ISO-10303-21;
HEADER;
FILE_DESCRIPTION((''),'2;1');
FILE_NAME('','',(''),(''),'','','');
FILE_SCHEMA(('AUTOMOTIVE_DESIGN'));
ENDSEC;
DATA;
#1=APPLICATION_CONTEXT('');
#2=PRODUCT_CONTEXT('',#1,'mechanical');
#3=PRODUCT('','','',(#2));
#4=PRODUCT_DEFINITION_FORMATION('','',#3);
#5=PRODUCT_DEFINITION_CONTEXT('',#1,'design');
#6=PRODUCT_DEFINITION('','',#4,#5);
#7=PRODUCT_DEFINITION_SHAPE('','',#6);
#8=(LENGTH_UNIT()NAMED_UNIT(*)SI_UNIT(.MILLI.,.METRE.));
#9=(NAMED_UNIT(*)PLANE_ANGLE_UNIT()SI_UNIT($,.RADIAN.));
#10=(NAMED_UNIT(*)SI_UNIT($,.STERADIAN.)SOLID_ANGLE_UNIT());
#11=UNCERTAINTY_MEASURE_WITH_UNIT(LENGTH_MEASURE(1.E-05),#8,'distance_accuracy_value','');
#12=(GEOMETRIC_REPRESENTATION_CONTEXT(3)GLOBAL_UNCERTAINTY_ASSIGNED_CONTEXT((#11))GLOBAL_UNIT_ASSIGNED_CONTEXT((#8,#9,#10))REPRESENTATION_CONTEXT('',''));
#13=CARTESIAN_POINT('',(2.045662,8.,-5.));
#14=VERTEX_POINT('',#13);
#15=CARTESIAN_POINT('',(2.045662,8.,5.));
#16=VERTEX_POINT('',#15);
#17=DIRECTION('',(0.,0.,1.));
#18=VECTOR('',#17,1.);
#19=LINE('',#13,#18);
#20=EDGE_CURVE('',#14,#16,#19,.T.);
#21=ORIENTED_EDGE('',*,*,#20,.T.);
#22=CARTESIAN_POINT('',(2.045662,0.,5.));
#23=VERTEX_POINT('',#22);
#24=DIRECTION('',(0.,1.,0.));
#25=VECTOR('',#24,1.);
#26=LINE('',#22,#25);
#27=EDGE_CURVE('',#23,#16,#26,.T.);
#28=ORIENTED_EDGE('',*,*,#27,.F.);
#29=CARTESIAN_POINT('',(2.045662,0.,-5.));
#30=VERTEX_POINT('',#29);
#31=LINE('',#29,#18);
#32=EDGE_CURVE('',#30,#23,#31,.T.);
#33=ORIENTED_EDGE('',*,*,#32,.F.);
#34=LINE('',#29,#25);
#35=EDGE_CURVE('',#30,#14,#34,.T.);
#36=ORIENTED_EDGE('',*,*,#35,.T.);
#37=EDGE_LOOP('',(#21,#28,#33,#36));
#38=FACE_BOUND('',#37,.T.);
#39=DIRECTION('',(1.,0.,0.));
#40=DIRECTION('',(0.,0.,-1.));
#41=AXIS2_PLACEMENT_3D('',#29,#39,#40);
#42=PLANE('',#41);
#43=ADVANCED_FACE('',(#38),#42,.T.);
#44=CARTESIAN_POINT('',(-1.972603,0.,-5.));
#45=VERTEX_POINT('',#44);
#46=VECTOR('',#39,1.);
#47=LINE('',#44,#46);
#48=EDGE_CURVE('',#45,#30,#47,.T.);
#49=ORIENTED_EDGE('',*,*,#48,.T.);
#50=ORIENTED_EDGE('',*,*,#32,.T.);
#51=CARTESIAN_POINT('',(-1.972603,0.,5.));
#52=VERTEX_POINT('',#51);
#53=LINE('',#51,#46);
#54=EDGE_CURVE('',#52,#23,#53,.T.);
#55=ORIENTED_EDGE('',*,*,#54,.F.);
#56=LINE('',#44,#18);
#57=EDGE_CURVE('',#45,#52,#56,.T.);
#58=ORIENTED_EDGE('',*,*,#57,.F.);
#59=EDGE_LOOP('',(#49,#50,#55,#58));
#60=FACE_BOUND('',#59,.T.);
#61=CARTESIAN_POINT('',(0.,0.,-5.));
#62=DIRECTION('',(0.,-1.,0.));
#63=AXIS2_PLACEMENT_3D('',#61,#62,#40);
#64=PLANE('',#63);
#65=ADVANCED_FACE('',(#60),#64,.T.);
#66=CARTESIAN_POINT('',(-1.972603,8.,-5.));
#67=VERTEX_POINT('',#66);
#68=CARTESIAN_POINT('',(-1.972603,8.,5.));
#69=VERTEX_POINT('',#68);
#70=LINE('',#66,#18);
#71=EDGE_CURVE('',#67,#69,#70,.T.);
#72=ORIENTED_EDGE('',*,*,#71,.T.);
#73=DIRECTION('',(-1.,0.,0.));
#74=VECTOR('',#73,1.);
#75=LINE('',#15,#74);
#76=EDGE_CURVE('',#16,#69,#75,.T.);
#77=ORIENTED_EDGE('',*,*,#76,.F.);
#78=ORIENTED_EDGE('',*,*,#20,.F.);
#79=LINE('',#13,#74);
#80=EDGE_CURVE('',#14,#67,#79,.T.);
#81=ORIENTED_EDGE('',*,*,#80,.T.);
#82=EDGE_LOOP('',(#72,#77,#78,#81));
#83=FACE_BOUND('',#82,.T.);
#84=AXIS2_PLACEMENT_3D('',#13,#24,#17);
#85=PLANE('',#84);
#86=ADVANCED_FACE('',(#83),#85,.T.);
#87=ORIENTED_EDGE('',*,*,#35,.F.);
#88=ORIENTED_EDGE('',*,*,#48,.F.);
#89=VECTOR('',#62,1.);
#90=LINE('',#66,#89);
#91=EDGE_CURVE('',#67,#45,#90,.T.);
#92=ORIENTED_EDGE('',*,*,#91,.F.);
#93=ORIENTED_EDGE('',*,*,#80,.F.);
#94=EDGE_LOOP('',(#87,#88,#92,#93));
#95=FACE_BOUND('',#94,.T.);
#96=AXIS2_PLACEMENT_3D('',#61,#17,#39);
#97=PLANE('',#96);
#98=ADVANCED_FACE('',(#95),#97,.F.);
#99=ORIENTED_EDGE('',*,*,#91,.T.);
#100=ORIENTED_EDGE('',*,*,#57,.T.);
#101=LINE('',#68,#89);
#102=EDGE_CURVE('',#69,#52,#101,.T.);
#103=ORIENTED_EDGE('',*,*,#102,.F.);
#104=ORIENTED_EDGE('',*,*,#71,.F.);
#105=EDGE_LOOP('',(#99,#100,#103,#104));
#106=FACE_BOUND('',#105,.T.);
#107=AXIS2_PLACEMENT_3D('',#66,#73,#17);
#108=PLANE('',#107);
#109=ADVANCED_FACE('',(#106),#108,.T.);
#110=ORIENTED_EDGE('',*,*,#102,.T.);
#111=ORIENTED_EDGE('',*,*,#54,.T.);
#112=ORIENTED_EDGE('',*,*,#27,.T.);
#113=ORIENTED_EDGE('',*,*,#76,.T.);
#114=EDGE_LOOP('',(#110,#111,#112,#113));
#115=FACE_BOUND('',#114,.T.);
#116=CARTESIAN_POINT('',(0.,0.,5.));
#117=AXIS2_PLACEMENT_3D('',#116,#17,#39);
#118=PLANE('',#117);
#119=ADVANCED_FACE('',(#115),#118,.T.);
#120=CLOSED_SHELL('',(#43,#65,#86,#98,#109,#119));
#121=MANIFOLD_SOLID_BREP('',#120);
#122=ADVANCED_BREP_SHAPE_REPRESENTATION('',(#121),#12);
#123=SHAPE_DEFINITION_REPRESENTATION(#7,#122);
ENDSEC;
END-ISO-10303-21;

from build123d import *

# Parameters (mm, degrees)
BOSS_EXTRUDE1_DEPTH      = 5
BOSS_EXTRUDE1_DEPTH_BACK = 5


with BuildPart() as part:
    # Sketch1 → Boss-Extrude1 (new, two sides: drawn at the far end of the back side and taken through both)
    with BuildSketch(Plane.XY.offset(-BOSS_EXTRUDE1_DEPTH_BACK)):
        Polygon((0, 0), (2.0456621, 0), (2.0456621, 8), (-1.97260274, 8), (-1.97260274, 0), align=None)
    extrude(amount=BOSS_EXTRUDE1_DEPTH + BOSS_EXTRUDE1_DEPTH_BACK)


solid = part.part
